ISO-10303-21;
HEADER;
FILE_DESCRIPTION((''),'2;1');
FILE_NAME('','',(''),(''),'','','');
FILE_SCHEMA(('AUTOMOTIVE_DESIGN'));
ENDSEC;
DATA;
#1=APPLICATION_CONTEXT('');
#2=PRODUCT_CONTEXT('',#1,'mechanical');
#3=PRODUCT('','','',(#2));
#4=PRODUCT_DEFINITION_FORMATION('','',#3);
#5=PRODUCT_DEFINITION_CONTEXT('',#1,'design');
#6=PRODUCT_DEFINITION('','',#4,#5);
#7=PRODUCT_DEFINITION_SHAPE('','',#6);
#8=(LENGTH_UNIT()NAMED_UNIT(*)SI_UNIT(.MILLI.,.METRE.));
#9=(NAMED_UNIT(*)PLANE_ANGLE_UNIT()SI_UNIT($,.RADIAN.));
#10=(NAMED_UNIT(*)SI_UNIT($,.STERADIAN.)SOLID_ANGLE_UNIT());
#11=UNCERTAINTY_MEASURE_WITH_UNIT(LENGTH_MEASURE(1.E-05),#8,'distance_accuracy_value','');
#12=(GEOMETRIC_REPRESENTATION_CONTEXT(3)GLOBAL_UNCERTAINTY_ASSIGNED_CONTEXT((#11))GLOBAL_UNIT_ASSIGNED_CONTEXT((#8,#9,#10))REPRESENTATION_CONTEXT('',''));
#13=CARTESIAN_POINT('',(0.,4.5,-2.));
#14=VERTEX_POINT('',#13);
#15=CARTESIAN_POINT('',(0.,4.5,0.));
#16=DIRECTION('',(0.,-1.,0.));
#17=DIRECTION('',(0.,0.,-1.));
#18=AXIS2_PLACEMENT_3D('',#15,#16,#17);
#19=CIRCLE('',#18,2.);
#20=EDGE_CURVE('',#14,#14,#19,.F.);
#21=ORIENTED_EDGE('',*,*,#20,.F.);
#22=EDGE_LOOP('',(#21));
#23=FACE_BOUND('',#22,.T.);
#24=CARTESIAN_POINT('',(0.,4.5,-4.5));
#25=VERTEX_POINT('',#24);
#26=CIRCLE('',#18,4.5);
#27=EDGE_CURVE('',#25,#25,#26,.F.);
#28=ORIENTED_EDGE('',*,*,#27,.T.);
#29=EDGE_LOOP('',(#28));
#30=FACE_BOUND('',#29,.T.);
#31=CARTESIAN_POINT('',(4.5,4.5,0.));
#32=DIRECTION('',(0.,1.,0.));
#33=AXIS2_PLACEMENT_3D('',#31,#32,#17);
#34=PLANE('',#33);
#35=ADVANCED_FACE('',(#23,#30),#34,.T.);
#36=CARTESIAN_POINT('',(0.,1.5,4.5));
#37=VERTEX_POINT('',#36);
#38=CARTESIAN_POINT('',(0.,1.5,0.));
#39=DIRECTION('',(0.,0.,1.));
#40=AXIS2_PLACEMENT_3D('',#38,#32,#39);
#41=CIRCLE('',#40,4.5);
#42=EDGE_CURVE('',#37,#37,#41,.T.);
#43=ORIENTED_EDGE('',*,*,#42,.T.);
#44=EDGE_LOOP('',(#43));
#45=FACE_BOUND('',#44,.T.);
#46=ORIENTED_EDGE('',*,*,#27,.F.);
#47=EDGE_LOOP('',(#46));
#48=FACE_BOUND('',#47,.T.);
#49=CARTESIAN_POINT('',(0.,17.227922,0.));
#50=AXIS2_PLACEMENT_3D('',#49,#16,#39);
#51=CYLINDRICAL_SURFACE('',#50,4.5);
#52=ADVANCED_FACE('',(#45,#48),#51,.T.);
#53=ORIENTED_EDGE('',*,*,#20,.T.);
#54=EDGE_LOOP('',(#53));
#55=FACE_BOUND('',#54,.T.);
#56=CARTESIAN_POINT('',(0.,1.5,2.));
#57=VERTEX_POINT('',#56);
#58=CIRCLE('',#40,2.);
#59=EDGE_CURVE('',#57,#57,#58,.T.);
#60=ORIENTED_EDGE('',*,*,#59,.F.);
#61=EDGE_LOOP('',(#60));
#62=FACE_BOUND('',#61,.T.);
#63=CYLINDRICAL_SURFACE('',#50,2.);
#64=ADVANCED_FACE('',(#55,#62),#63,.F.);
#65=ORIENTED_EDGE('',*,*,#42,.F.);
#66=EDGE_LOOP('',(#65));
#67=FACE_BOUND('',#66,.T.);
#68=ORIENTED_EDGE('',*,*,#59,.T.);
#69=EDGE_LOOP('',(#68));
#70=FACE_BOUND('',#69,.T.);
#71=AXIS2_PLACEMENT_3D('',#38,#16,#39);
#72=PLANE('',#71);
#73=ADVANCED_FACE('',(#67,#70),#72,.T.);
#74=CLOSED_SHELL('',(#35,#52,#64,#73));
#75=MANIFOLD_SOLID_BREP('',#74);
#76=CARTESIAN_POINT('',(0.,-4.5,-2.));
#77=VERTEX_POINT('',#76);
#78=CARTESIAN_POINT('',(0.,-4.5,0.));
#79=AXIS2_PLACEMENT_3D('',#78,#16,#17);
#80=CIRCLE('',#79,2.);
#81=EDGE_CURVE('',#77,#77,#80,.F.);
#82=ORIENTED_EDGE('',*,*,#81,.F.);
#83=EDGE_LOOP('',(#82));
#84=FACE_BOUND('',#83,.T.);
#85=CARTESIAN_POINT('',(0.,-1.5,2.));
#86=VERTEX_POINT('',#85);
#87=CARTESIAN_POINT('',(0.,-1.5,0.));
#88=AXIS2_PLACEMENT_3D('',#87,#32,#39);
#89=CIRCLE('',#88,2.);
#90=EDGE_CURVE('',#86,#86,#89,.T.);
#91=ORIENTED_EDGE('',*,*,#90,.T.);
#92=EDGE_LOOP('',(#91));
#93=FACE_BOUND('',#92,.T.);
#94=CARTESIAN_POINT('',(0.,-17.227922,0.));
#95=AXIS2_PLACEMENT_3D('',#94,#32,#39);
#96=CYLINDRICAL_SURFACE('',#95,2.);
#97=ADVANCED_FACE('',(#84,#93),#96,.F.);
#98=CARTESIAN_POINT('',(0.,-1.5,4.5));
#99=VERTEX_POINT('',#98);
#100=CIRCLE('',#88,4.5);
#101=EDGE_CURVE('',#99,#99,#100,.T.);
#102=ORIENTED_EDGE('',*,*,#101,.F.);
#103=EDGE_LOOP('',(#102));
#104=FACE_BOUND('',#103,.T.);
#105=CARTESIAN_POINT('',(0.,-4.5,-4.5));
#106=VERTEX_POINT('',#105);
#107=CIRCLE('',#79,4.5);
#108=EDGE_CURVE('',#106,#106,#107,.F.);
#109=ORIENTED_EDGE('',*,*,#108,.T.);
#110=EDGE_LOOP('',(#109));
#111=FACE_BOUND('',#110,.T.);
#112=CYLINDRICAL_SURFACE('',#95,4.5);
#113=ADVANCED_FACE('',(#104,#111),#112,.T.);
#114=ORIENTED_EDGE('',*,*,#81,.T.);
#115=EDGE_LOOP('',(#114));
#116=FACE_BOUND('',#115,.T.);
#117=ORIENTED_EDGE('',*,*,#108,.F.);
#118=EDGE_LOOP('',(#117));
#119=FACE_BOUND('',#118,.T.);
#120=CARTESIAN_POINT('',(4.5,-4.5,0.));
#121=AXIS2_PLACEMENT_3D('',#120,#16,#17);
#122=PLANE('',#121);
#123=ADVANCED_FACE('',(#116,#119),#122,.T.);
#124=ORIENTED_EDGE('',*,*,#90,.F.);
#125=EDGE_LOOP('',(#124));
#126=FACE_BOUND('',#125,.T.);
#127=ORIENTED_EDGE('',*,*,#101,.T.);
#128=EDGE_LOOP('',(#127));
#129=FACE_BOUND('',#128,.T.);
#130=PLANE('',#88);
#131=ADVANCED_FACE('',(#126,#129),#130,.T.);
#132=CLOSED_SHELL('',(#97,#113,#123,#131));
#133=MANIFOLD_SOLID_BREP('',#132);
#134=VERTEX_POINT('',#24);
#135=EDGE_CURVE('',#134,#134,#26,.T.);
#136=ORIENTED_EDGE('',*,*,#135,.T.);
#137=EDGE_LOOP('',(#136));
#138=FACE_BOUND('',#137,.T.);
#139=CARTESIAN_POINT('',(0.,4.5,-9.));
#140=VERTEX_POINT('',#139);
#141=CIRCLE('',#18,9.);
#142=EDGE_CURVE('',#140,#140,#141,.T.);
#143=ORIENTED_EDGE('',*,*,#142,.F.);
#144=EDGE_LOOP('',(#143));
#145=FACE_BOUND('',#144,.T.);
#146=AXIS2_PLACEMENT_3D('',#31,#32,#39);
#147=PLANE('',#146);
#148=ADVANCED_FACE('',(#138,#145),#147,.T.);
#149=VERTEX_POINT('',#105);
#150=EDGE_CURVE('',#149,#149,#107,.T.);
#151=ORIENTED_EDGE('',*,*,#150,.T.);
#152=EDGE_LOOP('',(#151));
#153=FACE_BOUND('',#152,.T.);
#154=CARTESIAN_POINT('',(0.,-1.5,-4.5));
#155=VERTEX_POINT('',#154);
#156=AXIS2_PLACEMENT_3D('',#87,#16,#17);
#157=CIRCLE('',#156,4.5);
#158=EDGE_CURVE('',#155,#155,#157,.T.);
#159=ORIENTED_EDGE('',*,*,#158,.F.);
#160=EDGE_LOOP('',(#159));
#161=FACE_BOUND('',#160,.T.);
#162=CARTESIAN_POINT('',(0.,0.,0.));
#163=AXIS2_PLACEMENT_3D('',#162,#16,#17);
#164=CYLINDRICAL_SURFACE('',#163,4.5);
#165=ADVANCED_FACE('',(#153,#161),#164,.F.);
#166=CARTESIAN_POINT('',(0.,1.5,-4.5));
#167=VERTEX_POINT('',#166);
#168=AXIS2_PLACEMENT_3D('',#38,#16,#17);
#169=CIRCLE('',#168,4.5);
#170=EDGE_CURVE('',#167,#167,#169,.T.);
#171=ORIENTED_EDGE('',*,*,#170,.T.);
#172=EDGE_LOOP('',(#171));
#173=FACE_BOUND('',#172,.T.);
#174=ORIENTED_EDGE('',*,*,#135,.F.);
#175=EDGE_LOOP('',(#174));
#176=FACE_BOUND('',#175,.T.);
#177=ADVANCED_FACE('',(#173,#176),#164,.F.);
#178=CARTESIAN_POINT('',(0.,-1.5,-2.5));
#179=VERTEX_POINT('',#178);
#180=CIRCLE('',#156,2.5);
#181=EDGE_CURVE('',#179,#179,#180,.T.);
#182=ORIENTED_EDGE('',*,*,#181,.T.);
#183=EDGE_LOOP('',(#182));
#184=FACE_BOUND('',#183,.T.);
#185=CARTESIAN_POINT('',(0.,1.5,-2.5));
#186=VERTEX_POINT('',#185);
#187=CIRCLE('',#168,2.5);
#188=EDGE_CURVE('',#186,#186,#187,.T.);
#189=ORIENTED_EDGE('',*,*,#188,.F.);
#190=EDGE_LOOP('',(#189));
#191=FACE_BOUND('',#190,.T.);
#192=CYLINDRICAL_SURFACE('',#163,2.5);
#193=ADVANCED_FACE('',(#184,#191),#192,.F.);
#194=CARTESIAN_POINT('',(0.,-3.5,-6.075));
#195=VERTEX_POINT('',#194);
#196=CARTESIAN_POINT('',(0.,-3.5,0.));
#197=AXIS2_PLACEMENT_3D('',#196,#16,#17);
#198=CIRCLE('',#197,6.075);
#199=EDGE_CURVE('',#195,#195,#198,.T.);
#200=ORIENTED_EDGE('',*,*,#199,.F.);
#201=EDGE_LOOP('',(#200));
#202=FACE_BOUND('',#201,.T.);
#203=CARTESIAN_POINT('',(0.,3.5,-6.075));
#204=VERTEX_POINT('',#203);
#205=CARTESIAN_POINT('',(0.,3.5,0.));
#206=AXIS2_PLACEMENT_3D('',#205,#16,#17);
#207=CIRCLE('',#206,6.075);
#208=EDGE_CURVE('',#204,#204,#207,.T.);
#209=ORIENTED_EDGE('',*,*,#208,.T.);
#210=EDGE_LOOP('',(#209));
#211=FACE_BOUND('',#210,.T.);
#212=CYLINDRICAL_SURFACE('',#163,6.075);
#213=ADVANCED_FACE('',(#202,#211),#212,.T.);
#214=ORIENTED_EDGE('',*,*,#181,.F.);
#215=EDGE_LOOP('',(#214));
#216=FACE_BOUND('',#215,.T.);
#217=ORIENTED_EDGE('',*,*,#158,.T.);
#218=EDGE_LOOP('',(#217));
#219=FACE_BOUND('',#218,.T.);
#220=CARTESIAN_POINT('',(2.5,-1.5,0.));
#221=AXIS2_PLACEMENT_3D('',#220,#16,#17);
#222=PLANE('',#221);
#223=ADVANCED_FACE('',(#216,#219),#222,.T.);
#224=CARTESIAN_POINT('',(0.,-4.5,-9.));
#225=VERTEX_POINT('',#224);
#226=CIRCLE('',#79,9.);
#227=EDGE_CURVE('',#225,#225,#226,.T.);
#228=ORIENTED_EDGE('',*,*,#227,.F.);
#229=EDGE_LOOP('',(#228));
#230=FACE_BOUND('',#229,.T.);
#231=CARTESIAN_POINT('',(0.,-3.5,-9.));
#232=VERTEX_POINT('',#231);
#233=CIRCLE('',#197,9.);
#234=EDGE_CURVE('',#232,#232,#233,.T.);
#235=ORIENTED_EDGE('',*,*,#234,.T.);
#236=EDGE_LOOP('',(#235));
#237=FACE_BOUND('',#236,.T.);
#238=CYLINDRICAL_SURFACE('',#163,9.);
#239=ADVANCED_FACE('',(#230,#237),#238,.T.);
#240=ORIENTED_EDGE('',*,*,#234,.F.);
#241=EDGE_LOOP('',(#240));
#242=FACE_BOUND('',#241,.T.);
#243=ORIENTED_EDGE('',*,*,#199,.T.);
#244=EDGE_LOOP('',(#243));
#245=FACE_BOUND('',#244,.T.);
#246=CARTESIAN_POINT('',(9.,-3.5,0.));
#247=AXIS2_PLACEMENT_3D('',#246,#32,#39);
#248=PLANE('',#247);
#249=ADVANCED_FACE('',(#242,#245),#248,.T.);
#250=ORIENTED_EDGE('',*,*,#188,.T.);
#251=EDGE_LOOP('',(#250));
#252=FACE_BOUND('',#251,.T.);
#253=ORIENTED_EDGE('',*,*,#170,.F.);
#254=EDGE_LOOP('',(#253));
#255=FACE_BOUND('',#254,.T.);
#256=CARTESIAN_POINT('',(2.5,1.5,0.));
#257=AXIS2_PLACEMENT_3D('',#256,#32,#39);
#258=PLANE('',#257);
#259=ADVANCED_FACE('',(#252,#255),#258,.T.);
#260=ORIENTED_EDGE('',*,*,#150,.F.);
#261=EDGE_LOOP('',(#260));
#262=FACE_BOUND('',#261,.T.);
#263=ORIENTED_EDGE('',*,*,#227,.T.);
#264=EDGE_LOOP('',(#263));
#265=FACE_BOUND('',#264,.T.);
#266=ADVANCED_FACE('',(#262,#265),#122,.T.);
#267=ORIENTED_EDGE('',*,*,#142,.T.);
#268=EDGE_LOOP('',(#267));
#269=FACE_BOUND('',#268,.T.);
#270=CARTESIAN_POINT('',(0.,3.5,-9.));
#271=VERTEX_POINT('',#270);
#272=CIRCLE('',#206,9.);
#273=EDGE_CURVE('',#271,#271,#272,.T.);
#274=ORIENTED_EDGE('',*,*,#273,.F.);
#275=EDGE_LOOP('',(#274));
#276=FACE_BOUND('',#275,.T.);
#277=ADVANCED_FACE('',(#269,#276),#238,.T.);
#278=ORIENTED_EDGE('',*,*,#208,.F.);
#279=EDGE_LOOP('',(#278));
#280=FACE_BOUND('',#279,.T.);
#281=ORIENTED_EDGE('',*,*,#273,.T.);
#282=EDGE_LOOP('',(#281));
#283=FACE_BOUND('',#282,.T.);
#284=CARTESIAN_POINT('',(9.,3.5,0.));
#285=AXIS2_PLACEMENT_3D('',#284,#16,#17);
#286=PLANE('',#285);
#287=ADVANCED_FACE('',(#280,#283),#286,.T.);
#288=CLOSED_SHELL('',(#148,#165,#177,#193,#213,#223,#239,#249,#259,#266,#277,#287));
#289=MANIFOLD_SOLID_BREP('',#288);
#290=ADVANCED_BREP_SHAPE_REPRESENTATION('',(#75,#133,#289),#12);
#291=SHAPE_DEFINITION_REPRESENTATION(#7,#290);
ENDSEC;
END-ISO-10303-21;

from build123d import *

# Parameters (mm, degrees)
ESQUISSE3_R        = 4.5
ESQUISSE3_R_2      = 2
BOSS_EXTRU_1_DEPTH = 3


with BuildPart() as part:
    # Esquisse2 → Révolution1 (revolve)
    with BuildSketch(Plane.XY, mode=Mode.PRIVATE) as r_volution1_sk:
        Polygon((2.5, 1.5), (4.5, 1.5), (4.5, 4.5), (9, 4.5), (9, 3.5), (6.075, 3.5), (6.075, -3.5), (9, -3.5), (9, -4.5), (4.5, -4.5), (4.5, -1.5), (2.5, -1.5), align=None)
    revolve(r_volution1_sk.sketch.rotate(Axis((0, 0, 0), (0, 1, 0)), 90), axis=Axis((0, 0, 0), (0, 1, 0)))


with BuildPart() as body_2:
    # Esquisse3 → Boss.-Extru.1 (new body)
    with BuildSketch(Plane(origin=(0, -1.5, 0), x_dir=(1, 0, 0), z_dir=(0, 1, 0))):
        with Locations(Location((0, 0, 0), (0, 0, 270))):
            Circle(ESQUISSE3_R)
        with Locations(Location((0, 0, 0), (0, 0, 270))):
            Circle(ESQUISSE3_R_2, mode=Mode.SUBTRACT)
    extrude(amount=-BOSS_EXTRU_1_DEPTH)


with BuildPart() as body_3:
    # Symétrie8: mirrored copy
    add(body_2.part.mirror(Plane.ZX))


solid = Compound([part.part, body_2.part, body_3.part])
